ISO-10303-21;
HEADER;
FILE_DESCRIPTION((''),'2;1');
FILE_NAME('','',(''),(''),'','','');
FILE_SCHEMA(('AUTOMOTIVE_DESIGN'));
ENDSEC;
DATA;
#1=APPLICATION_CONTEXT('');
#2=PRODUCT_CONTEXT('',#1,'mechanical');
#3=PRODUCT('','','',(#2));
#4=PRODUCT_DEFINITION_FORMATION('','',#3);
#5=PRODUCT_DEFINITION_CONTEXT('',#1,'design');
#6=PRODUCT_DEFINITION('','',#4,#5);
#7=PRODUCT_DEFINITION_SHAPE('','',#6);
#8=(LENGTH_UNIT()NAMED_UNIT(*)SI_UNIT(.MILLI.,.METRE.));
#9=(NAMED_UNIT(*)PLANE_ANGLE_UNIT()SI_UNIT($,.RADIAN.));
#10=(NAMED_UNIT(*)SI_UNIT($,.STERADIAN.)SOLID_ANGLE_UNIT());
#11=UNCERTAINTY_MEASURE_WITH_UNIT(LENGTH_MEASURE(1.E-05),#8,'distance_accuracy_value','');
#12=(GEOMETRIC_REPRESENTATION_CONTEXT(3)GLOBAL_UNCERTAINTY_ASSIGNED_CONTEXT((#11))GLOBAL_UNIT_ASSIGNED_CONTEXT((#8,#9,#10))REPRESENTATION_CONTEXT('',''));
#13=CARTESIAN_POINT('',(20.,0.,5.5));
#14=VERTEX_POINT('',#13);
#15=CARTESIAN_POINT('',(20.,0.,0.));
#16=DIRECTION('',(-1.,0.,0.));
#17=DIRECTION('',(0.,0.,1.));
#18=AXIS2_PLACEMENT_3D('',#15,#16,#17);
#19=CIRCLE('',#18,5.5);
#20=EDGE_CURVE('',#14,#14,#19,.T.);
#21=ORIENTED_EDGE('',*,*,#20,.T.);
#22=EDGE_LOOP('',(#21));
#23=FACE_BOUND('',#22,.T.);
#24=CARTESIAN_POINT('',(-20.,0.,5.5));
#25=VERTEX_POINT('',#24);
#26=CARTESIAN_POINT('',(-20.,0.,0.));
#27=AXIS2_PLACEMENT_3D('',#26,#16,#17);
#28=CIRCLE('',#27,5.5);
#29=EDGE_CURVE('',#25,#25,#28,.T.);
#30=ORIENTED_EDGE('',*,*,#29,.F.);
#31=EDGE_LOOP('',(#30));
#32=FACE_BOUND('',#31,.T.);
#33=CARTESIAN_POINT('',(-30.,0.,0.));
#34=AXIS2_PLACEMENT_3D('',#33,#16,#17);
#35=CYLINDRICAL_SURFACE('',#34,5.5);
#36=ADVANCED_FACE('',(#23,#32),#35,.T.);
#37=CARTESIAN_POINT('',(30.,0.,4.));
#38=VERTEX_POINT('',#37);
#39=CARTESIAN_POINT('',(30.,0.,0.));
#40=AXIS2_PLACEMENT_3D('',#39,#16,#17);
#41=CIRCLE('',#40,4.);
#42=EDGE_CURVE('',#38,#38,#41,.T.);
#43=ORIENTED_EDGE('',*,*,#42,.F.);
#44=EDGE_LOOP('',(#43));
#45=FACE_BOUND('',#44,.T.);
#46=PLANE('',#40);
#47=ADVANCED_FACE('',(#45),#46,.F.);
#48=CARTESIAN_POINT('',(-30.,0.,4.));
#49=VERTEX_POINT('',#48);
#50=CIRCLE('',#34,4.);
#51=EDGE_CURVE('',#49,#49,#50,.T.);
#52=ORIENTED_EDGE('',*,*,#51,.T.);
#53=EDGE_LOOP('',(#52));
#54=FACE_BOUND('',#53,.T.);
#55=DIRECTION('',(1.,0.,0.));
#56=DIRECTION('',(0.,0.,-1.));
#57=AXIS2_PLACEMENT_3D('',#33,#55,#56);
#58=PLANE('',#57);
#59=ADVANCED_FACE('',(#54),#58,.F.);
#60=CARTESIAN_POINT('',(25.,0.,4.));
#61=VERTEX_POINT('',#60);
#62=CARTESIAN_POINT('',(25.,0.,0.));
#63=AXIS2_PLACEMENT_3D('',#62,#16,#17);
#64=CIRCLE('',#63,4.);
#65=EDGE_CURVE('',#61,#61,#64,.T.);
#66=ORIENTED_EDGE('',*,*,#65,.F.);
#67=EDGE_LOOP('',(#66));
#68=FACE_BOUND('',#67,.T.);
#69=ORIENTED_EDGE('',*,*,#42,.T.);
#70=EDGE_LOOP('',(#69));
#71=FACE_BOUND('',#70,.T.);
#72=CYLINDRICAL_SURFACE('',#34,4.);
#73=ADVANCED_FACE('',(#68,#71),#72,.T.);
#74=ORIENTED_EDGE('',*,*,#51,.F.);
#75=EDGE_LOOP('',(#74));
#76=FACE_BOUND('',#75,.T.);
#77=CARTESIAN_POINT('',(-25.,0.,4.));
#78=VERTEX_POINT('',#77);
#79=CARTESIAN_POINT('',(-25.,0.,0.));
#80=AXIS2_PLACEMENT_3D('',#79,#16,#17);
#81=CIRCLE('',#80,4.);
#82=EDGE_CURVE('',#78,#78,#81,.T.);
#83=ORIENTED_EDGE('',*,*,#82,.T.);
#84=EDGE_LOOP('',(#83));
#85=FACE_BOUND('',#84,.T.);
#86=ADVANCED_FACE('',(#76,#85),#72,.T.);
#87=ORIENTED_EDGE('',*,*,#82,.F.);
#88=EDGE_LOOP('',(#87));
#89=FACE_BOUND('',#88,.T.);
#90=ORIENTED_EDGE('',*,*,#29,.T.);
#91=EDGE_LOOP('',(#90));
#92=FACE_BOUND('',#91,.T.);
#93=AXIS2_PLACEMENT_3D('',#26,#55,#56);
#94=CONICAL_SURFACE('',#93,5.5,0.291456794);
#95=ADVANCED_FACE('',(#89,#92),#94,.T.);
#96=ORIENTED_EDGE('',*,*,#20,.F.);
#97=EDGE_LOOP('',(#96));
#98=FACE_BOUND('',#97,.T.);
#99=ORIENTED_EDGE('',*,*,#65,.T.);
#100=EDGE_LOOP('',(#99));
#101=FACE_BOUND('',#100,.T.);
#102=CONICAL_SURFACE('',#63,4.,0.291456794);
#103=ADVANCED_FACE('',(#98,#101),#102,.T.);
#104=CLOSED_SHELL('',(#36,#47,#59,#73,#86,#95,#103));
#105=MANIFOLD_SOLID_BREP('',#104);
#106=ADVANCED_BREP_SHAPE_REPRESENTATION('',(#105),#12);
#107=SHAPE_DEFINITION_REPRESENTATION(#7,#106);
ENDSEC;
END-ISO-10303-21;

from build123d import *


with BuildPart() as part:
    # Esquisse2 → Révolution2 (revolve)
    with BuildSketch(Plane(origin=(0, 0, 0), x_dir=(1, 0, 0), z_dir=(0, 1, 0)), mode=Mode.PRIVATE) as r_volution2_sk:
        Polygon((-30, 0), (30, 0), (30, 4), (25, 4), (20, 5.5), (-20, 5.5), (-25, 4), (-30, 4), align=None)
    revolve(r_volution2_sk.sketch.rotate(Axis((-30, 0, 0), (1, 0, 0)), 180), axis=Axis((-30, 0, 0), (1, 0, 0)))


solid = part.part
